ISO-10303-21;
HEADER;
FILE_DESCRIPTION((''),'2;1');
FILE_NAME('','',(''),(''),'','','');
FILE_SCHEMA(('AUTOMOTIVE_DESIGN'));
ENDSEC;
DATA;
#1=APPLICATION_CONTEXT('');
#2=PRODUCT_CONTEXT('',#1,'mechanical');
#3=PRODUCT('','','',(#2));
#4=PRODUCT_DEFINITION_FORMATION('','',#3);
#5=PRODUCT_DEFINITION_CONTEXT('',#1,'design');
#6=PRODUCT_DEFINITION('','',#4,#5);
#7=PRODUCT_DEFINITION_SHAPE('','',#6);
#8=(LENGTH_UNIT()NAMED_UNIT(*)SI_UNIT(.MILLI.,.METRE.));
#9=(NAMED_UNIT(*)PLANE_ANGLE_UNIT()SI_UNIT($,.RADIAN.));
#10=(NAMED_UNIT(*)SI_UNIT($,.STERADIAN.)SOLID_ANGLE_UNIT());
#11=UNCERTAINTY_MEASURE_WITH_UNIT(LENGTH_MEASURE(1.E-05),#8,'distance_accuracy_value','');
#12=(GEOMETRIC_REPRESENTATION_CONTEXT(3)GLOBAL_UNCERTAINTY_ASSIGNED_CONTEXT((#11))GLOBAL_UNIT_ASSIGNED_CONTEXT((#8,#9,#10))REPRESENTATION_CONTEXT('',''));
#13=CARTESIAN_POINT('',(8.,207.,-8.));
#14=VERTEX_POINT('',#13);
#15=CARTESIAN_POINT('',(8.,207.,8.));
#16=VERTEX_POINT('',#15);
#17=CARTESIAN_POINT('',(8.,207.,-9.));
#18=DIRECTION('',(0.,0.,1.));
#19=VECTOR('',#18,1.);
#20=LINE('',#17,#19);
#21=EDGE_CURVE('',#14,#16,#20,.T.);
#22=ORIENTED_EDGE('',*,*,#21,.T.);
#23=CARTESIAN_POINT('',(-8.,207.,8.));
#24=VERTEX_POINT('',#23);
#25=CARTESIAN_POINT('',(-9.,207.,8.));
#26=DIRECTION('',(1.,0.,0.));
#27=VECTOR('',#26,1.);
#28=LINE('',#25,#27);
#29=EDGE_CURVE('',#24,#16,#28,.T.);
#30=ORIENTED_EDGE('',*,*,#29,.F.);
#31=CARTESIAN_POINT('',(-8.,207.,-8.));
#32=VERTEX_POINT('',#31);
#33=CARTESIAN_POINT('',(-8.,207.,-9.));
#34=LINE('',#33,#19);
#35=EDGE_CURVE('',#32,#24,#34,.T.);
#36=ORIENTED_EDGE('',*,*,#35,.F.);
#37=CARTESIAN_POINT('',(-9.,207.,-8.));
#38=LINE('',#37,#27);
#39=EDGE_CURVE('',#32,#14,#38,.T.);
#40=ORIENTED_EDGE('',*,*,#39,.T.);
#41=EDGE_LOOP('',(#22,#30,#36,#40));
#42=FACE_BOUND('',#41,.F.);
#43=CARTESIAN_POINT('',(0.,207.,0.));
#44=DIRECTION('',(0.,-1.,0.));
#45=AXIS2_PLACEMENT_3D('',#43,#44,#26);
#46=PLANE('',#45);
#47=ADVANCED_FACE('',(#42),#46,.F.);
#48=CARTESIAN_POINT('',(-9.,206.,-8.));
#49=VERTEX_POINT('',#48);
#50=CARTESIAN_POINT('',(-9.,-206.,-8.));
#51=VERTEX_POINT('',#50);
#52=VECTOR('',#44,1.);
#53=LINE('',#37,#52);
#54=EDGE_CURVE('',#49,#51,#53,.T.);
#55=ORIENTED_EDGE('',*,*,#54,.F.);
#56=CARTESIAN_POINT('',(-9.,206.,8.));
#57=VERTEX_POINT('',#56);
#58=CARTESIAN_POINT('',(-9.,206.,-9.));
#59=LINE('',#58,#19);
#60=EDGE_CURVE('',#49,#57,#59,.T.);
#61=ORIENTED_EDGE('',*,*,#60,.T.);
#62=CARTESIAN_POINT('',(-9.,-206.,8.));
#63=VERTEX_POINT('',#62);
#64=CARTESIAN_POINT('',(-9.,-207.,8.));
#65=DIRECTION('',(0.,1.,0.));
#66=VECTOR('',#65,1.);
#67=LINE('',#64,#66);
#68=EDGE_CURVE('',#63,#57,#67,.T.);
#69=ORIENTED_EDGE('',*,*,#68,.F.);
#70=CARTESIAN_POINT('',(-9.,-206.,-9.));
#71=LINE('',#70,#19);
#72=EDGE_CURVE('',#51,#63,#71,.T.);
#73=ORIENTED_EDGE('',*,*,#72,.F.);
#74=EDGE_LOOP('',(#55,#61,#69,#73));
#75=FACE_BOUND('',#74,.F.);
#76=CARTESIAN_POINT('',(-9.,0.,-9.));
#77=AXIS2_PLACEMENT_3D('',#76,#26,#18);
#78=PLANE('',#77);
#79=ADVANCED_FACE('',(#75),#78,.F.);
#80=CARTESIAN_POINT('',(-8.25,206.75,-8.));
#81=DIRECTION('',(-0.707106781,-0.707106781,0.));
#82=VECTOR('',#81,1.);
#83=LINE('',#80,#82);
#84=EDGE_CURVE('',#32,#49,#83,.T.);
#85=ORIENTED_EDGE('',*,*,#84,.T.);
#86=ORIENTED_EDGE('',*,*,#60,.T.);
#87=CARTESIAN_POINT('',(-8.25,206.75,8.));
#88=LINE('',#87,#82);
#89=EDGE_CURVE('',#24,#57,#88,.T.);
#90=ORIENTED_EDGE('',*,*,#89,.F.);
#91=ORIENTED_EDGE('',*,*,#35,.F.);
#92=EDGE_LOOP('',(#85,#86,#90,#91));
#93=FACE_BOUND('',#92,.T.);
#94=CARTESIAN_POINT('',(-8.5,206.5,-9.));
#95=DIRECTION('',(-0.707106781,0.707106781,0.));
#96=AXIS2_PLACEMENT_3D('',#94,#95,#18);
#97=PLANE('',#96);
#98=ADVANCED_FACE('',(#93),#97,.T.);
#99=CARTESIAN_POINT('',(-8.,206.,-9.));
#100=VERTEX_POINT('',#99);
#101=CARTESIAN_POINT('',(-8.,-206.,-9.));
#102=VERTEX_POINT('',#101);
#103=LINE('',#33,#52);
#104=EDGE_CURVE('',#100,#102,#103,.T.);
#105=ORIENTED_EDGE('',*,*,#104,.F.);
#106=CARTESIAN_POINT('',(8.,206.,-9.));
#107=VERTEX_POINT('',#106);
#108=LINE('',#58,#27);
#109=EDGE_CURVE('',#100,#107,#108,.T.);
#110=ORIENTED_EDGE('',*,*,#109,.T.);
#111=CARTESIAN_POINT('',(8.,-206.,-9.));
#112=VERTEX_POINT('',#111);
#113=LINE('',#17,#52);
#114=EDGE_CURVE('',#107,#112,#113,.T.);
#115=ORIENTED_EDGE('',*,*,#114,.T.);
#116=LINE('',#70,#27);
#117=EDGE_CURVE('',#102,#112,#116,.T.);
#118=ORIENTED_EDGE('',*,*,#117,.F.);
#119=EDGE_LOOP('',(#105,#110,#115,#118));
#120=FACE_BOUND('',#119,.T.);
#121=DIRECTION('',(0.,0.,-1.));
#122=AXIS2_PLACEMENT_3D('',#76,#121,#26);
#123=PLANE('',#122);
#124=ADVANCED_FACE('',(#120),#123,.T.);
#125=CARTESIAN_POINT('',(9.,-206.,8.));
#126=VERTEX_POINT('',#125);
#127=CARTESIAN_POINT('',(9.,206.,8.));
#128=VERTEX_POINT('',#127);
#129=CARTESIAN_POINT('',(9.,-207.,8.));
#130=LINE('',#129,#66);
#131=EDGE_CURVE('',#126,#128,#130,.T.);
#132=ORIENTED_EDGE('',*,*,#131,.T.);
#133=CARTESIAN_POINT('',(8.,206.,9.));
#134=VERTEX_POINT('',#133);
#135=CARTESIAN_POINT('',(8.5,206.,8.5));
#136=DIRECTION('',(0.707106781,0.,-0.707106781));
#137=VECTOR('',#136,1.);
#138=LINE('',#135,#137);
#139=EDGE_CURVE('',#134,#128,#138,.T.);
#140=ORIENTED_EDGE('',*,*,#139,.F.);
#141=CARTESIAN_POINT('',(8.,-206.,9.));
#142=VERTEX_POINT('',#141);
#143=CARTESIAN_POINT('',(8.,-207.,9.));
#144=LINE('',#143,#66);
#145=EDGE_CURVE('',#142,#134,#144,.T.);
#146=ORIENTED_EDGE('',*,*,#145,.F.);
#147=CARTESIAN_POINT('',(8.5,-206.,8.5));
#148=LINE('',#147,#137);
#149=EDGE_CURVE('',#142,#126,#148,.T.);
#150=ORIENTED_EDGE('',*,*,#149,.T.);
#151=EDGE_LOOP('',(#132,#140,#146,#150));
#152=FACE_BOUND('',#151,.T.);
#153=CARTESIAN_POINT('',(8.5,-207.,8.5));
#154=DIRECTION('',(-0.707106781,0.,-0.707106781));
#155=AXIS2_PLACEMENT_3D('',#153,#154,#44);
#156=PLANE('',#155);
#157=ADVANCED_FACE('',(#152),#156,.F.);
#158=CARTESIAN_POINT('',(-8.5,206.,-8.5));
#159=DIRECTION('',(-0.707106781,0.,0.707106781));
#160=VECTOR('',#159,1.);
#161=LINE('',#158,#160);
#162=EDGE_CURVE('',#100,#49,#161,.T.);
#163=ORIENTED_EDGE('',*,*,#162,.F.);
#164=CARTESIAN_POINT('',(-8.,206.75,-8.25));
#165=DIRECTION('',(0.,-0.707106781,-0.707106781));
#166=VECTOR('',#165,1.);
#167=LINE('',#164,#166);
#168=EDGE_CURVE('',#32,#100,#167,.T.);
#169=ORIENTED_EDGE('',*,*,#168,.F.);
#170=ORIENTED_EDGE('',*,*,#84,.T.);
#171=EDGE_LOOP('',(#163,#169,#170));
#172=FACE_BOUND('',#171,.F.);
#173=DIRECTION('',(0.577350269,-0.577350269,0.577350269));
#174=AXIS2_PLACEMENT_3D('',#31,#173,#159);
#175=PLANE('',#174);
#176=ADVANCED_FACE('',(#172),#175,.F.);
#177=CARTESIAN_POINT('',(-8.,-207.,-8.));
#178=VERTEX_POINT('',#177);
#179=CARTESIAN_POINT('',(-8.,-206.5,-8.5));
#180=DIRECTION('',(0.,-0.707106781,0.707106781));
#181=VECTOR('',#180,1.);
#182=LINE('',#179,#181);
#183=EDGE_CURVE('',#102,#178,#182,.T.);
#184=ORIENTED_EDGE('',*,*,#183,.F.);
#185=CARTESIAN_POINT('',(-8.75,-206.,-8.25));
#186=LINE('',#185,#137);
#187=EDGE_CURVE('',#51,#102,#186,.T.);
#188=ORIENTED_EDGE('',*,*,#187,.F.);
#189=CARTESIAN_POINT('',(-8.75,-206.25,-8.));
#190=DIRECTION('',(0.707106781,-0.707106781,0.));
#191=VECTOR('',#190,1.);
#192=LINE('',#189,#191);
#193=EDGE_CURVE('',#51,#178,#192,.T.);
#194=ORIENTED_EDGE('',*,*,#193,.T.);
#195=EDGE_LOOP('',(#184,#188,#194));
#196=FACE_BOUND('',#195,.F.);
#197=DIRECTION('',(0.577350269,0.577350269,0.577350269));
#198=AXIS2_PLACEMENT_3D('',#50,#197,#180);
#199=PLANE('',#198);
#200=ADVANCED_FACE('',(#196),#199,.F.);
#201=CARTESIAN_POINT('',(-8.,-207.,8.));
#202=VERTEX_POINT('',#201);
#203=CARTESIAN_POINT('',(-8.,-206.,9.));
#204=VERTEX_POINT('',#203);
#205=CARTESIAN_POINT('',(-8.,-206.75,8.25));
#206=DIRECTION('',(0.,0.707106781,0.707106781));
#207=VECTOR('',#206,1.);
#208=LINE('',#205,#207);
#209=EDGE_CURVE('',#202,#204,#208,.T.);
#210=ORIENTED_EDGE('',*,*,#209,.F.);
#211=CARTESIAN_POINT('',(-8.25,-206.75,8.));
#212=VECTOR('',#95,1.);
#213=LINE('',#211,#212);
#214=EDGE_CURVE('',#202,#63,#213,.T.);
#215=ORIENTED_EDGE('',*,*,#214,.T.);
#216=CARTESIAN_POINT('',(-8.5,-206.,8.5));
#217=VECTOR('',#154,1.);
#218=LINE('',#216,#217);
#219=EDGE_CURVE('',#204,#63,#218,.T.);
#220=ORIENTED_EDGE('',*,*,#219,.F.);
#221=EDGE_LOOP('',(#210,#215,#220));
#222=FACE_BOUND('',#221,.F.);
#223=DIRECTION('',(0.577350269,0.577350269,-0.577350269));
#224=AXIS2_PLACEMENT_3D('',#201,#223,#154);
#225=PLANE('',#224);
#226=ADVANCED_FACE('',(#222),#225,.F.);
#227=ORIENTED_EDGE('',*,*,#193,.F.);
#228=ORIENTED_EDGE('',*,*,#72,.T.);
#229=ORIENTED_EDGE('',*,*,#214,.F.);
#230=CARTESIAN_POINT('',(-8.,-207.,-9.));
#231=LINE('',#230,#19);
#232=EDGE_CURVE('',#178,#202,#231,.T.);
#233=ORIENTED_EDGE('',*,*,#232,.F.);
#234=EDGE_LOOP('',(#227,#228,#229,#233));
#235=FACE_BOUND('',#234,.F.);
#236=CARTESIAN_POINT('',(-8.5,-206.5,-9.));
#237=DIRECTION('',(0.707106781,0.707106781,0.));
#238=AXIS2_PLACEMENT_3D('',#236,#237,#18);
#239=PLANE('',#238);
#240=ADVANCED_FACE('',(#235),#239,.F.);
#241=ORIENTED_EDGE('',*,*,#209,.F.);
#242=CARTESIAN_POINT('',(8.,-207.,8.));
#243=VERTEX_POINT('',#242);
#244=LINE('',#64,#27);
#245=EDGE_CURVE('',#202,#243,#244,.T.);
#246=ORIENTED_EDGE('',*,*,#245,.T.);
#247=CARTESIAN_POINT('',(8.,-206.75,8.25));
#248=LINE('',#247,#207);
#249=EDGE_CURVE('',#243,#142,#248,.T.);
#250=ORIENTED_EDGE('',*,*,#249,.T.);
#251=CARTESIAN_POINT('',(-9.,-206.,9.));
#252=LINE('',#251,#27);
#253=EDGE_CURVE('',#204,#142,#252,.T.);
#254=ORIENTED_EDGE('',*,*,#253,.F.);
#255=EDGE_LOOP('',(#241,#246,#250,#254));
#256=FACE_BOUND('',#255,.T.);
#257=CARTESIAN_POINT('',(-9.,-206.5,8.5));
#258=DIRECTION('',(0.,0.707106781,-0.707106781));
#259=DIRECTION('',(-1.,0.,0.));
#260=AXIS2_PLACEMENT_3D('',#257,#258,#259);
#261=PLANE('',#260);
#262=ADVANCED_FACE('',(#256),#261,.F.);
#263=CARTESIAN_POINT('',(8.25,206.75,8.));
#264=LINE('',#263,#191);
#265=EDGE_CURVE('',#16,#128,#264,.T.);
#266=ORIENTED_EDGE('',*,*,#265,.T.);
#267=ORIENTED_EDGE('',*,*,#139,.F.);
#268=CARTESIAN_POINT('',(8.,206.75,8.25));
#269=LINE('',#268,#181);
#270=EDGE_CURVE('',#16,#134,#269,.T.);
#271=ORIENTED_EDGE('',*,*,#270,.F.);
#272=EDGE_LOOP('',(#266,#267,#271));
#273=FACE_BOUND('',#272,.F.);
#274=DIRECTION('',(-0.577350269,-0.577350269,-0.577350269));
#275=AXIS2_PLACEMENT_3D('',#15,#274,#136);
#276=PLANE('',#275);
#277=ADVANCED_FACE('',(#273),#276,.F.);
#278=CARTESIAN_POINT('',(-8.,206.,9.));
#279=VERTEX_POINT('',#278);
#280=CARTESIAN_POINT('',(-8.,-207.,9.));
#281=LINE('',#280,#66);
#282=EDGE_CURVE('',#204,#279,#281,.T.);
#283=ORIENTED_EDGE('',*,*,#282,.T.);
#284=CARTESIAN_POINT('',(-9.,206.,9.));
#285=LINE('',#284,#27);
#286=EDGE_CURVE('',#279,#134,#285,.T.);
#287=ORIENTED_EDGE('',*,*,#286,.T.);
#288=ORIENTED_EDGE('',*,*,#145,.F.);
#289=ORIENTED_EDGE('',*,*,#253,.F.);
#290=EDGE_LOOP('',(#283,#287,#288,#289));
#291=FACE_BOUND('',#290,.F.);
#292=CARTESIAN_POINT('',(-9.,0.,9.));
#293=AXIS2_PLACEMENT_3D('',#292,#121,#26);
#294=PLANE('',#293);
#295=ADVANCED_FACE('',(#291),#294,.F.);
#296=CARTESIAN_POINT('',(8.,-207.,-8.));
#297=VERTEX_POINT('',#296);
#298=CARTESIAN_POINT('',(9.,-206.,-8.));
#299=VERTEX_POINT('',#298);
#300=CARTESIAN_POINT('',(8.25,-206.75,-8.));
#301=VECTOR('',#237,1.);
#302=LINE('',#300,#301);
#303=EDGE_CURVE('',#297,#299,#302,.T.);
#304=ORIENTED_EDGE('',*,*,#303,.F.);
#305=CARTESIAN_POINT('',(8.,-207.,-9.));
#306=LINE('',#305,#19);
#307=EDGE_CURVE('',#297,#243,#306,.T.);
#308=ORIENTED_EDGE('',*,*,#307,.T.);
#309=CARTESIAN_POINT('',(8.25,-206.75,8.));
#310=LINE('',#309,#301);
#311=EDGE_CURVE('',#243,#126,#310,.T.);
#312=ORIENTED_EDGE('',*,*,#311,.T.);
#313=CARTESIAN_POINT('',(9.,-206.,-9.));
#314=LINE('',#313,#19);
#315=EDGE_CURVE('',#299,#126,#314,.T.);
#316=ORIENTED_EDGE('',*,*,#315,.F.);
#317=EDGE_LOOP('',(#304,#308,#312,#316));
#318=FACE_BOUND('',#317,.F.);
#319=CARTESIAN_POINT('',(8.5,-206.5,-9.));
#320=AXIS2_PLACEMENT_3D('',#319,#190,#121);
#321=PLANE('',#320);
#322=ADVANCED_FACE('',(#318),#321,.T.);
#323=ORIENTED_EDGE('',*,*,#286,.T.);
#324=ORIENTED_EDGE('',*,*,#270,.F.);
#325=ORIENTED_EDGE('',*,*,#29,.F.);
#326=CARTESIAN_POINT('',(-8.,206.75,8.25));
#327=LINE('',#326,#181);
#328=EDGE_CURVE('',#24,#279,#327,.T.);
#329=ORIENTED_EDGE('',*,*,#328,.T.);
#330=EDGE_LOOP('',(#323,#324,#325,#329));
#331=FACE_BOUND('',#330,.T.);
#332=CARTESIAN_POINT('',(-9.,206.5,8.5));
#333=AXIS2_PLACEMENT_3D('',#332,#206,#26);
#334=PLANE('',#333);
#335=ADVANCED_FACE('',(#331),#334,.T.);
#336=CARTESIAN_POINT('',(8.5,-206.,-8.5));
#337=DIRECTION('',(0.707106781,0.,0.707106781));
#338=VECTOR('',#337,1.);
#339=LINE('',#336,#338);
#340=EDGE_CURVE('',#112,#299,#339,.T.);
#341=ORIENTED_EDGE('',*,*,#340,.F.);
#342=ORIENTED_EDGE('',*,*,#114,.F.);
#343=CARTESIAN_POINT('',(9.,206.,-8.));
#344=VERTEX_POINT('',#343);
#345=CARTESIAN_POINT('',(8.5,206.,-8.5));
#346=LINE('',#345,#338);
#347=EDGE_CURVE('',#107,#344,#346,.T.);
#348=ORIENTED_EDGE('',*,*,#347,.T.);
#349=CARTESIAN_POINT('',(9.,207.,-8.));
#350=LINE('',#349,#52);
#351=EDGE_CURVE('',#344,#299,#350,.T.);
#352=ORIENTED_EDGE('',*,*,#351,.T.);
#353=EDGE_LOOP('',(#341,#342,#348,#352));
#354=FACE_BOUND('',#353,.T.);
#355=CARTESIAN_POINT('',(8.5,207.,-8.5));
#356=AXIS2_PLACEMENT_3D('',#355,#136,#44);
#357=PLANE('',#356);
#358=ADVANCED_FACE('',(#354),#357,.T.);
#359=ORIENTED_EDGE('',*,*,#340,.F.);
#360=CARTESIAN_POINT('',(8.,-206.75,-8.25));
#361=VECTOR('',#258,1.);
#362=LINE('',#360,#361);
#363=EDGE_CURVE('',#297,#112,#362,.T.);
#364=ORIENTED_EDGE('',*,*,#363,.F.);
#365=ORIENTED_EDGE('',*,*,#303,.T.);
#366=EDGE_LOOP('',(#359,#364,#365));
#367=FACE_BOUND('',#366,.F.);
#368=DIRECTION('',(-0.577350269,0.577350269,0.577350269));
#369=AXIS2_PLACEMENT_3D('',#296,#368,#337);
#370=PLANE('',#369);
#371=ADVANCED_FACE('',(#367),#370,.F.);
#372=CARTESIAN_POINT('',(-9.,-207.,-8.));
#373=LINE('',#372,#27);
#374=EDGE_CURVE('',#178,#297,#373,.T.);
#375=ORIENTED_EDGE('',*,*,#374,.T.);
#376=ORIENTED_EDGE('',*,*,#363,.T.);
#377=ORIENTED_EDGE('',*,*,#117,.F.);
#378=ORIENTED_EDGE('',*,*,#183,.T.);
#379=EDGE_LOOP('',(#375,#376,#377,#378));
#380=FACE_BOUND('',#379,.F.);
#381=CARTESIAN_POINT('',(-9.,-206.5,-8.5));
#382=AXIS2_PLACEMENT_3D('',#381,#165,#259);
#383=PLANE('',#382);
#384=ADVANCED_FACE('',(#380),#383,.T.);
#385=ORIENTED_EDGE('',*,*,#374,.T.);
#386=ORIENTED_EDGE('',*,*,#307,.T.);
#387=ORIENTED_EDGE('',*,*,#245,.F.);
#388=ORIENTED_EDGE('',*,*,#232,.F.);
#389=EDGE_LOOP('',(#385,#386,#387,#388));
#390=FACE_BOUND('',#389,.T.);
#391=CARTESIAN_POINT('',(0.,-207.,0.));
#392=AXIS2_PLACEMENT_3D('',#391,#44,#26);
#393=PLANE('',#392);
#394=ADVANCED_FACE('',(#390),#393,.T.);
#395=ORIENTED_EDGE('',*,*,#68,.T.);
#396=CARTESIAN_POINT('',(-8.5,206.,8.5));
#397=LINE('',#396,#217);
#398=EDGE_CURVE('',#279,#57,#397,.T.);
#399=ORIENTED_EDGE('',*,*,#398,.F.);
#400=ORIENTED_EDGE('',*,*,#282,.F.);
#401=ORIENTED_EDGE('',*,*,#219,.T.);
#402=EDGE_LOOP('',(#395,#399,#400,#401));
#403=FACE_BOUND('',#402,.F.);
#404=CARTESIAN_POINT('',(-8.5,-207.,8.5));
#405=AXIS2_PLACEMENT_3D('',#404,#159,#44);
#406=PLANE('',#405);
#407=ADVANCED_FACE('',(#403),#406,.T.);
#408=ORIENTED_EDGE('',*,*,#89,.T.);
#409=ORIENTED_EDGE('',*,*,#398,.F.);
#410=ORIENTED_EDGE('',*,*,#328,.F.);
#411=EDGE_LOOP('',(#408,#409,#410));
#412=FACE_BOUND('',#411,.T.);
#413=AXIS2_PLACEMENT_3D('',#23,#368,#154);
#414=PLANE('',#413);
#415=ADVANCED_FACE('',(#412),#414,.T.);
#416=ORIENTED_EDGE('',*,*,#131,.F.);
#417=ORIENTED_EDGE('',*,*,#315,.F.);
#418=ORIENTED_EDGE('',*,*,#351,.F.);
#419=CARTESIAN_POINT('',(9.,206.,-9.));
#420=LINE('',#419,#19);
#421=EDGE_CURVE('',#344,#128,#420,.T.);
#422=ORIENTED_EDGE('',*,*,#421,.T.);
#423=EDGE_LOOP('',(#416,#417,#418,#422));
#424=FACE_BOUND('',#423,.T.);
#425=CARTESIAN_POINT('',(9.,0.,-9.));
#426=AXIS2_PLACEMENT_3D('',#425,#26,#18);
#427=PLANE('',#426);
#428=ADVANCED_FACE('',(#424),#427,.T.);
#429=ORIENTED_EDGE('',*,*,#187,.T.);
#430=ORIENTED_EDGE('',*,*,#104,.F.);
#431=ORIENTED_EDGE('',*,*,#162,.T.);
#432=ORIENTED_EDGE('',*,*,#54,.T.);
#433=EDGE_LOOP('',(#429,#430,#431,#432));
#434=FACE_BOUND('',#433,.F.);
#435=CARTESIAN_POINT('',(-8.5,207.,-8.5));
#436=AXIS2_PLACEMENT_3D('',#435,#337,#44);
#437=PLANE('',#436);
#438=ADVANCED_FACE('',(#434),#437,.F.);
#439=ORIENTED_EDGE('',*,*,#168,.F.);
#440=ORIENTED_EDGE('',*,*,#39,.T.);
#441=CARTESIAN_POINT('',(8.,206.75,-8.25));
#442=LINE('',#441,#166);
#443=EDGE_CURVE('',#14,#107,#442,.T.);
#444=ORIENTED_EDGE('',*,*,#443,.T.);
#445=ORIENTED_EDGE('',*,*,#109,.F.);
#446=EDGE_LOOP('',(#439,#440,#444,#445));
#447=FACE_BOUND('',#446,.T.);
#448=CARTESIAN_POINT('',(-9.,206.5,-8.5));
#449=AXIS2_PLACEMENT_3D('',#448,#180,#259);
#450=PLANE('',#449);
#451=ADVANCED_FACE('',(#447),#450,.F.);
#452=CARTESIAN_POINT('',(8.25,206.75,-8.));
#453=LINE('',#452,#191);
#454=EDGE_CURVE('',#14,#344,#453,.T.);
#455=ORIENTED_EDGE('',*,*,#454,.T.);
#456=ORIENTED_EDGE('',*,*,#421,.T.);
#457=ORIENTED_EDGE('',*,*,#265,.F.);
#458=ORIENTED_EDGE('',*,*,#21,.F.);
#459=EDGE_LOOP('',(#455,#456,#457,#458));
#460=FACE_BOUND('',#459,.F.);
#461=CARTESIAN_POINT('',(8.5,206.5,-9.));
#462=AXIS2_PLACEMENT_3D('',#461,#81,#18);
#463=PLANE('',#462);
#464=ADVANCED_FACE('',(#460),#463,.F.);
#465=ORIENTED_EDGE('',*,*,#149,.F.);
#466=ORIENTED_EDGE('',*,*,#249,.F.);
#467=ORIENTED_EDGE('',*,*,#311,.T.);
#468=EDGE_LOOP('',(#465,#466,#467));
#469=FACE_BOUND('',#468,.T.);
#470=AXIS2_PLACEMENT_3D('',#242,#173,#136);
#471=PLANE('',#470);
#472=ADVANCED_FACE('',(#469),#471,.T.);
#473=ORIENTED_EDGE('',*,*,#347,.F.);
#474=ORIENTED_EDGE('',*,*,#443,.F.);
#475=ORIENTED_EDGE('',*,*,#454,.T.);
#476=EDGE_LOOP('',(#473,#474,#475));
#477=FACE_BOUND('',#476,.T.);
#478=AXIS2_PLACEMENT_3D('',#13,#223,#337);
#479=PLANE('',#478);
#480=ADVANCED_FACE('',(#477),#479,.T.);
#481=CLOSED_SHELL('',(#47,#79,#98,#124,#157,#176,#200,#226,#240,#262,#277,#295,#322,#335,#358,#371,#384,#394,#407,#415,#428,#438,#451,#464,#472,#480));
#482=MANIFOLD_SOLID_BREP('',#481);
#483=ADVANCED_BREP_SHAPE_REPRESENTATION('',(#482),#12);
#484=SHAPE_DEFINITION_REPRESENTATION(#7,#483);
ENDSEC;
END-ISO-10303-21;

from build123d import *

# Parameters (mm, degrees)
F0_W     = 18
F0_H     = 18
F1_DEPTH = 207
F2_SIZE  = 1


with BuildPart() as f1:
    # F0 (on Front) → F1 (new body, symmetric)
    with BuildSketch(Plane.XZ):
        Rectangle(F0_W, F0_H)
    extrude(amount=F1_DEPTH, both=True)

    # F2
    f2_edges = [f1.edges().sort_by_distance(p)[0] for p in [
        (9, 0, 9),
        (-9, 0, 9),
        (9, 0, -9),
        (0, -207, -9),
        (-9, 0, -9),
        (0, 207, -9),
        (0, 207, 9),
        (0, -207, 9),
        (-9, 207, 0),
        (-9, -207, 0),
        (9, 207, 0),
        (9, -207, 0),
    ]]
    chamfer(f2_edges, length=F2_SIZE)


solid = f1.part
